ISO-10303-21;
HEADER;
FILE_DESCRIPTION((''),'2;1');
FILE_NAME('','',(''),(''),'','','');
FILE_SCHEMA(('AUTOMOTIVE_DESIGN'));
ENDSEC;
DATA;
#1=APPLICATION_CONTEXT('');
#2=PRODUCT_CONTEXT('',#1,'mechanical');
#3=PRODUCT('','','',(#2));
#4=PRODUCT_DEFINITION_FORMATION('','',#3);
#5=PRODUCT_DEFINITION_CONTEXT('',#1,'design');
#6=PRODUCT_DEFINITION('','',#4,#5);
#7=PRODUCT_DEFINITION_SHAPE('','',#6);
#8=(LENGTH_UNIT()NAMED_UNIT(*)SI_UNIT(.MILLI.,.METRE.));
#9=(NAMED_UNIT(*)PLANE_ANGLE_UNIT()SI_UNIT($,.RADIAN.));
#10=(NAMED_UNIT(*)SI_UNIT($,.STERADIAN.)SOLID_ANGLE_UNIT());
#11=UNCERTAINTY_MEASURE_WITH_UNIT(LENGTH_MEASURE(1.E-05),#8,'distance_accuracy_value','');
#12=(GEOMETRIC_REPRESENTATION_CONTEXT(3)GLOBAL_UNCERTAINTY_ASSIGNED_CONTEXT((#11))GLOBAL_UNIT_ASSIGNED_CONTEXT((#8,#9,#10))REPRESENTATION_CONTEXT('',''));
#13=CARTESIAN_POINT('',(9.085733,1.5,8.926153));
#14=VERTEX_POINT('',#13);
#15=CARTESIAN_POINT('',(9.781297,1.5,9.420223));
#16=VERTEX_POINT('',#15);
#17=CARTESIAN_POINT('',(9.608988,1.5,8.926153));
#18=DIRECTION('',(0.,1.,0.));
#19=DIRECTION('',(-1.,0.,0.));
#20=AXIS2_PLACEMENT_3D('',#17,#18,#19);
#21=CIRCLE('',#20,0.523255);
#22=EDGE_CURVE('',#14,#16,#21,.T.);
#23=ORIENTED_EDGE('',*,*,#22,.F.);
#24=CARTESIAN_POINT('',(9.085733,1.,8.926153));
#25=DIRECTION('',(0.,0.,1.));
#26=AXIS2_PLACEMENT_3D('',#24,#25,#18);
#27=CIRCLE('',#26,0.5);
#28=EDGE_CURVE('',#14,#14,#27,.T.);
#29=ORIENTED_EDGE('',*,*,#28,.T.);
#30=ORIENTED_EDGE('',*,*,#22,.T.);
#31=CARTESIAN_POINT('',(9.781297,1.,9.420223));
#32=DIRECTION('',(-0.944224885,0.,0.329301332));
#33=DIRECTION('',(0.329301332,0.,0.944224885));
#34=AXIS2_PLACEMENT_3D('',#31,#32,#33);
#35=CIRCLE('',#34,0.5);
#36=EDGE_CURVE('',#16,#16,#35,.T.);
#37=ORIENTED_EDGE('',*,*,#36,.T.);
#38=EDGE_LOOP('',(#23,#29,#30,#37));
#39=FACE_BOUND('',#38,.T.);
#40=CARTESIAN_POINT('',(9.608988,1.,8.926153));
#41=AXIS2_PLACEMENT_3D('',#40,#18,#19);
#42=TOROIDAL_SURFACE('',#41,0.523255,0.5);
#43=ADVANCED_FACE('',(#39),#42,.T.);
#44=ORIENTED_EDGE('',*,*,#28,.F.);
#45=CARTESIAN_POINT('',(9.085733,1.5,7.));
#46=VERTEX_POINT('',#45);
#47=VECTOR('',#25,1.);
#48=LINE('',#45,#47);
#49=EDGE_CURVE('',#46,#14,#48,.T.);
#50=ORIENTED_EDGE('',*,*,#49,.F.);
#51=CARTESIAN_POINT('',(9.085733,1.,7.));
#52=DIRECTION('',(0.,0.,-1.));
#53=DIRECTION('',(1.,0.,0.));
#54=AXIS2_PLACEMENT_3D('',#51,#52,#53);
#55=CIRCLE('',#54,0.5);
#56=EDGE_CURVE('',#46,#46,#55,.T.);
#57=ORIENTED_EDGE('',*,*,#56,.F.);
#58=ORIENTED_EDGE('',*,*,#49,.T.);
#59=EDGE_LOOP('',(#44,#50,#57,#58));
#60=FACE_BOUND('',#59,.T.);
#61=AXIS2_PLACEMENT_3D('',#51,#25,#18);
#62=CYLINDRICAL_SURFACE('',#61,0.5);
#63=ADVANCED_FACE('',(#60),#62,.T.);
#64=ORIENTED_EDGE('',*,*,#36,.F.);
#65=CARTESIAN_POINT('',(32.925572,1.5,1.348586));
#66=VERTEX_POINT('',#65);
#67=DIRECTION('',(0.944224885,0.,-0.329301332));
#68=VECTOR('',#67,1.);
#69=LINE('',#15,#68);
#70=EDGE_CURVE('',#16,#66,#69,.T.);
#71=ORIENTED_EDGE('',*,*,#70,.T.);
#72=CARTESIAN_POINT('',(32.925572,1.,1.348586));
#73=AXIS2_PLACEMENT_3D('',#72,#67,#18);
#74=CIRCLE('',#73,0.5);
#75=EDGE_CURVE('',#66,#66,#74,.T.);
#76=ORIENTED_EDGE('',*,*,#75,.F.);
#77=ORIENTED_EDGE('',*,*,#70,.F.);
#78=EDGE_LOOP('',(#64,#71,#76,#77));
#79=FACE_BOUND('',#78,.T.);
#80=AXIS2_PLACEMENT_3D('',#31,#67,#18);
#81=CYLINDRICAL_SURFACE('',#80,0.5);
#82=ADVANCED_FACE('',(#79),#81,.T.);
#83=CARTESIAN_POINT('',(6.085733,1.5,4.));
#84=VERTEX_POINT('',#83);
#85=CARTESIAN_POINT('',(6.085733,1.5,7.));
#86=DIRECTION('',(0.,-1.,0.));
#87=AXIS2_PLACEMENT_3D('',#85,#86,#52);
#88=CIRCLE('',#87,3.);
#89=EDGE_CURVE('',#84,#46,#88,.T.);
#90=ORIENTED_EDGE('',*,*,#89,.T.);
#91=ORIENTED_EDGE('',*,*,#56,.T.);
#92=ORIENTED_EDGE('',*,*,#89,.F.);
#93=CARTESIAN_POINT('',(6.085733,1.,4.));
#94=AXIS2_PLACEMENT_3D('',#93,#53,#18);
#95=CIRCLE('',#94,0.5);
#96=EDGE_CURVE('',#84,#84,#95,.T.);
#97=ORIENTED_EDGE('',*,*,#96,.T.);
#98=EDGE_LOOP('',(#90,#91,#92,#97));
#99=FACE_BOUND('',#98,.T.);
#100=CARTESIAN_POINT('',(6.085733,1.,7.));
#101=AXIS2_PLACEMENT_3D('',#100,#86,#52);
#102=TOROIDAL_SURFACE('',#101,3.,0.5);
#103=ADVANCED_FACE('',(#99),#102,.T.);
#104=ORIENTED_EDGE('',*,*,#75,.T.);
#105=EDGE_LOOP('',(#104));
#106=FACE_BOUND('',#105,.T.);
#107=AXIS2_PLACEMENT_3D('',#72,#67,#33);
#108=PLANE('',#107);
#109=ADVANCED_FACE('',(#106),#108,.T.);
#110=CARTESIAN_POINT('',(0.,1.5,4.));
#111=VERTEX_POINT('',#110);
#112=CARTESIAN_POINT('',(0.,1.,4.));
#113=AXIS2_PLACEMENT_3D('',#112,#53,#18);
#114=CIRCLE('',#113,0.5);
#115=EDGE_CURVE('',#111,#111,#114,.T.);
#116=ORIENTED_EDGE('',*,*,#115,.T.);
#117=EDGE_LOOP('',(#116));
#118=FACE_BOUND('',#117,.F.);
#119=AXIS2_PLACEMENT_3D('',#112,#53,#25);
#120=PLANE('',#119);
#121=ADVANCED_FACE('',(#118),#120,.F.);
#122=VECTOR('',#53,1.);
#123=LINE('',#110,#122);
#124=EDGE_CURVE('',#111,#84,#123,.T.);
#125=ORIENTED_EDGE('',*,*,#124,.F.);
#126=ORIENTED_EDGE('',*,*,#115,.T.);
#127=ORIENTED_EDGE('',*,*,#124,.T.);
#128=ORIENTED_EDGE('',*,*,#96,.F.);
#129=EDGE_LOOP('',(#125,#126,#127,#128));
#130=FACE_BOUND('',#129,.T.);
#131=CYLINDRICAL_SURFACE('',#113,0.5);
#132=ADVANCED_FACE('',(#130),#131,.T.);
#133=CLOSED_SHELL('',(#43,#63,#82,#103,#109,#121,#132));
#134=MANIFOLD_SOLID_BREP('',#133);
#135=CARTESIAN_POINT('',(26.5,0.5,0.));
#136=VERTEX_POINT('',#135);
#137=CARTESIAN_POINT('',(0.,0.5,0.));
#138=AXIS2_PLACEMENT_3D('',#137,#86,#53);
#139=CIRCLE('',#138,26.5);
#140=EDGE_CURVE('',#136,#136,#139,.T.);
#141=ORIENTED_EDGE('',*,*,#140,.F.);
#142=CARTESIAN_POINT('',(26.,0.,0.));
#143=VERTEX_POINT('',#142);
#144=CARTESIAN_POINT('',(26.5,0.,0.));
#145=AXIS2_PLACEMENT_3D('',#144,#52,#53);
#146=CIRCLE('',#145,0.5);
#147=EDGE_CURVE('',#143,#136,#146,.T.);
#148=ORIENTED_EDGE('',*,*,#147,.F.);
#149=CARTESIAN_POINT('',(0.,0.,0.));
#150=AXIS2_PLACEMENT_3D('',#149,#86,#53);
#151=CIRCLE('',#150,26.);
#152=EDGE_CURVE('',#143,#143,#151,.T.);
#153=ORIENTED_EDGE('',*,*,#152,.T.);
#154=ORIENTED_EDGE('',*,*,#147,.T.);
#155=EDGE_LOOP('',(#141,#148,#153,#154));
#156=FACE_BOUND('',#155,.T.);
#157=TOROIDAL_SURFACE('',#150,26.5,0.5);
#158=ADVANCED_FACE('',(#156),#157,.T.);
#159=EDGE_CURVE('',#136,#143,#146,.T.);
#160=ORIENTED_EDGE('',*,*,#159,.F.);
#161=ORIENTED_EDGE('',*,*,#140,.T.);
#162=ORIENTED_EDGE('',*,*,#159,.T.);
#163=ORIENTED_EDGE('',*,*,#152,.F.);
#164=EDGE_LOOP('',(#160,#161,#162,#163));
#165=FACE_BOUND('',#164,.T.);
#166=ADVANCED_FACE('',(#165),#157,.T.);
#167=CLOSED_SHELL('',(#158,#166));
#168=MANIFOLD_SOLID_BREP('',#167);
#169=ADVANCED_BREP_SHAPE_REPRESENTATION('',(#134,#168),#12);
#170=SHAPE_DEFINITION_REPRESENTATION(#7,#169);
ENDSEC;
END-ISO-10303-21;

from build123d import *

# Parameters (mm, degrees)
F5_R = 0.5


with BuildPart() as f2:
    # F2: sweep along a path in F0
    with BuildLine(Plane.XZ) as f2_path:
        CenterArc((0, 0), 26.5, 0, 360)
    # F1 (on Right) → F2 (sweep)
    with BuildSketch(Plane.YZ):
        with BuildLine():
            ThreePointArc((0, 26), (0.3535533906, 26.1464466094), (0.5, 26.5))
            ThreePointArc((0.5, 26.5), (-0.3535533906, 26.8535533906), (0, 26))
        make_face()
    sweep(path=f2_path.line)


with BuildPart() as f8:
    # F8: sweep along a path in F7
    with BuildLine(Plane.XZ.offset(-1)) as f8_path:
        Line((0, 4), (6.0857334435, 4))
        ThreePointArc((6.0857334435, 4), (8.2070537871, 4.8786796564), (9.0857334435, 7))
        Line((9.0857334435, 7), (9.0857334435, 8.9261529736))
        ThreePointArc((9.0857334435, 8.9261529736), (9.3059748396, 9.3527424009), (9.7812969775, 9.4202233411))
        Line((9.7812969775, 9.4202233411), (32.9255722463, 1.3485861709))
    # F5 (on Right) → F8 (sweep)
    with BuildSketch(Plane.YZ):
        with Locations((1, 4)):
            Circle(F5_R)
    sweep(path=f8_path.line)


solid = Compound([f2.part, f8.part])
